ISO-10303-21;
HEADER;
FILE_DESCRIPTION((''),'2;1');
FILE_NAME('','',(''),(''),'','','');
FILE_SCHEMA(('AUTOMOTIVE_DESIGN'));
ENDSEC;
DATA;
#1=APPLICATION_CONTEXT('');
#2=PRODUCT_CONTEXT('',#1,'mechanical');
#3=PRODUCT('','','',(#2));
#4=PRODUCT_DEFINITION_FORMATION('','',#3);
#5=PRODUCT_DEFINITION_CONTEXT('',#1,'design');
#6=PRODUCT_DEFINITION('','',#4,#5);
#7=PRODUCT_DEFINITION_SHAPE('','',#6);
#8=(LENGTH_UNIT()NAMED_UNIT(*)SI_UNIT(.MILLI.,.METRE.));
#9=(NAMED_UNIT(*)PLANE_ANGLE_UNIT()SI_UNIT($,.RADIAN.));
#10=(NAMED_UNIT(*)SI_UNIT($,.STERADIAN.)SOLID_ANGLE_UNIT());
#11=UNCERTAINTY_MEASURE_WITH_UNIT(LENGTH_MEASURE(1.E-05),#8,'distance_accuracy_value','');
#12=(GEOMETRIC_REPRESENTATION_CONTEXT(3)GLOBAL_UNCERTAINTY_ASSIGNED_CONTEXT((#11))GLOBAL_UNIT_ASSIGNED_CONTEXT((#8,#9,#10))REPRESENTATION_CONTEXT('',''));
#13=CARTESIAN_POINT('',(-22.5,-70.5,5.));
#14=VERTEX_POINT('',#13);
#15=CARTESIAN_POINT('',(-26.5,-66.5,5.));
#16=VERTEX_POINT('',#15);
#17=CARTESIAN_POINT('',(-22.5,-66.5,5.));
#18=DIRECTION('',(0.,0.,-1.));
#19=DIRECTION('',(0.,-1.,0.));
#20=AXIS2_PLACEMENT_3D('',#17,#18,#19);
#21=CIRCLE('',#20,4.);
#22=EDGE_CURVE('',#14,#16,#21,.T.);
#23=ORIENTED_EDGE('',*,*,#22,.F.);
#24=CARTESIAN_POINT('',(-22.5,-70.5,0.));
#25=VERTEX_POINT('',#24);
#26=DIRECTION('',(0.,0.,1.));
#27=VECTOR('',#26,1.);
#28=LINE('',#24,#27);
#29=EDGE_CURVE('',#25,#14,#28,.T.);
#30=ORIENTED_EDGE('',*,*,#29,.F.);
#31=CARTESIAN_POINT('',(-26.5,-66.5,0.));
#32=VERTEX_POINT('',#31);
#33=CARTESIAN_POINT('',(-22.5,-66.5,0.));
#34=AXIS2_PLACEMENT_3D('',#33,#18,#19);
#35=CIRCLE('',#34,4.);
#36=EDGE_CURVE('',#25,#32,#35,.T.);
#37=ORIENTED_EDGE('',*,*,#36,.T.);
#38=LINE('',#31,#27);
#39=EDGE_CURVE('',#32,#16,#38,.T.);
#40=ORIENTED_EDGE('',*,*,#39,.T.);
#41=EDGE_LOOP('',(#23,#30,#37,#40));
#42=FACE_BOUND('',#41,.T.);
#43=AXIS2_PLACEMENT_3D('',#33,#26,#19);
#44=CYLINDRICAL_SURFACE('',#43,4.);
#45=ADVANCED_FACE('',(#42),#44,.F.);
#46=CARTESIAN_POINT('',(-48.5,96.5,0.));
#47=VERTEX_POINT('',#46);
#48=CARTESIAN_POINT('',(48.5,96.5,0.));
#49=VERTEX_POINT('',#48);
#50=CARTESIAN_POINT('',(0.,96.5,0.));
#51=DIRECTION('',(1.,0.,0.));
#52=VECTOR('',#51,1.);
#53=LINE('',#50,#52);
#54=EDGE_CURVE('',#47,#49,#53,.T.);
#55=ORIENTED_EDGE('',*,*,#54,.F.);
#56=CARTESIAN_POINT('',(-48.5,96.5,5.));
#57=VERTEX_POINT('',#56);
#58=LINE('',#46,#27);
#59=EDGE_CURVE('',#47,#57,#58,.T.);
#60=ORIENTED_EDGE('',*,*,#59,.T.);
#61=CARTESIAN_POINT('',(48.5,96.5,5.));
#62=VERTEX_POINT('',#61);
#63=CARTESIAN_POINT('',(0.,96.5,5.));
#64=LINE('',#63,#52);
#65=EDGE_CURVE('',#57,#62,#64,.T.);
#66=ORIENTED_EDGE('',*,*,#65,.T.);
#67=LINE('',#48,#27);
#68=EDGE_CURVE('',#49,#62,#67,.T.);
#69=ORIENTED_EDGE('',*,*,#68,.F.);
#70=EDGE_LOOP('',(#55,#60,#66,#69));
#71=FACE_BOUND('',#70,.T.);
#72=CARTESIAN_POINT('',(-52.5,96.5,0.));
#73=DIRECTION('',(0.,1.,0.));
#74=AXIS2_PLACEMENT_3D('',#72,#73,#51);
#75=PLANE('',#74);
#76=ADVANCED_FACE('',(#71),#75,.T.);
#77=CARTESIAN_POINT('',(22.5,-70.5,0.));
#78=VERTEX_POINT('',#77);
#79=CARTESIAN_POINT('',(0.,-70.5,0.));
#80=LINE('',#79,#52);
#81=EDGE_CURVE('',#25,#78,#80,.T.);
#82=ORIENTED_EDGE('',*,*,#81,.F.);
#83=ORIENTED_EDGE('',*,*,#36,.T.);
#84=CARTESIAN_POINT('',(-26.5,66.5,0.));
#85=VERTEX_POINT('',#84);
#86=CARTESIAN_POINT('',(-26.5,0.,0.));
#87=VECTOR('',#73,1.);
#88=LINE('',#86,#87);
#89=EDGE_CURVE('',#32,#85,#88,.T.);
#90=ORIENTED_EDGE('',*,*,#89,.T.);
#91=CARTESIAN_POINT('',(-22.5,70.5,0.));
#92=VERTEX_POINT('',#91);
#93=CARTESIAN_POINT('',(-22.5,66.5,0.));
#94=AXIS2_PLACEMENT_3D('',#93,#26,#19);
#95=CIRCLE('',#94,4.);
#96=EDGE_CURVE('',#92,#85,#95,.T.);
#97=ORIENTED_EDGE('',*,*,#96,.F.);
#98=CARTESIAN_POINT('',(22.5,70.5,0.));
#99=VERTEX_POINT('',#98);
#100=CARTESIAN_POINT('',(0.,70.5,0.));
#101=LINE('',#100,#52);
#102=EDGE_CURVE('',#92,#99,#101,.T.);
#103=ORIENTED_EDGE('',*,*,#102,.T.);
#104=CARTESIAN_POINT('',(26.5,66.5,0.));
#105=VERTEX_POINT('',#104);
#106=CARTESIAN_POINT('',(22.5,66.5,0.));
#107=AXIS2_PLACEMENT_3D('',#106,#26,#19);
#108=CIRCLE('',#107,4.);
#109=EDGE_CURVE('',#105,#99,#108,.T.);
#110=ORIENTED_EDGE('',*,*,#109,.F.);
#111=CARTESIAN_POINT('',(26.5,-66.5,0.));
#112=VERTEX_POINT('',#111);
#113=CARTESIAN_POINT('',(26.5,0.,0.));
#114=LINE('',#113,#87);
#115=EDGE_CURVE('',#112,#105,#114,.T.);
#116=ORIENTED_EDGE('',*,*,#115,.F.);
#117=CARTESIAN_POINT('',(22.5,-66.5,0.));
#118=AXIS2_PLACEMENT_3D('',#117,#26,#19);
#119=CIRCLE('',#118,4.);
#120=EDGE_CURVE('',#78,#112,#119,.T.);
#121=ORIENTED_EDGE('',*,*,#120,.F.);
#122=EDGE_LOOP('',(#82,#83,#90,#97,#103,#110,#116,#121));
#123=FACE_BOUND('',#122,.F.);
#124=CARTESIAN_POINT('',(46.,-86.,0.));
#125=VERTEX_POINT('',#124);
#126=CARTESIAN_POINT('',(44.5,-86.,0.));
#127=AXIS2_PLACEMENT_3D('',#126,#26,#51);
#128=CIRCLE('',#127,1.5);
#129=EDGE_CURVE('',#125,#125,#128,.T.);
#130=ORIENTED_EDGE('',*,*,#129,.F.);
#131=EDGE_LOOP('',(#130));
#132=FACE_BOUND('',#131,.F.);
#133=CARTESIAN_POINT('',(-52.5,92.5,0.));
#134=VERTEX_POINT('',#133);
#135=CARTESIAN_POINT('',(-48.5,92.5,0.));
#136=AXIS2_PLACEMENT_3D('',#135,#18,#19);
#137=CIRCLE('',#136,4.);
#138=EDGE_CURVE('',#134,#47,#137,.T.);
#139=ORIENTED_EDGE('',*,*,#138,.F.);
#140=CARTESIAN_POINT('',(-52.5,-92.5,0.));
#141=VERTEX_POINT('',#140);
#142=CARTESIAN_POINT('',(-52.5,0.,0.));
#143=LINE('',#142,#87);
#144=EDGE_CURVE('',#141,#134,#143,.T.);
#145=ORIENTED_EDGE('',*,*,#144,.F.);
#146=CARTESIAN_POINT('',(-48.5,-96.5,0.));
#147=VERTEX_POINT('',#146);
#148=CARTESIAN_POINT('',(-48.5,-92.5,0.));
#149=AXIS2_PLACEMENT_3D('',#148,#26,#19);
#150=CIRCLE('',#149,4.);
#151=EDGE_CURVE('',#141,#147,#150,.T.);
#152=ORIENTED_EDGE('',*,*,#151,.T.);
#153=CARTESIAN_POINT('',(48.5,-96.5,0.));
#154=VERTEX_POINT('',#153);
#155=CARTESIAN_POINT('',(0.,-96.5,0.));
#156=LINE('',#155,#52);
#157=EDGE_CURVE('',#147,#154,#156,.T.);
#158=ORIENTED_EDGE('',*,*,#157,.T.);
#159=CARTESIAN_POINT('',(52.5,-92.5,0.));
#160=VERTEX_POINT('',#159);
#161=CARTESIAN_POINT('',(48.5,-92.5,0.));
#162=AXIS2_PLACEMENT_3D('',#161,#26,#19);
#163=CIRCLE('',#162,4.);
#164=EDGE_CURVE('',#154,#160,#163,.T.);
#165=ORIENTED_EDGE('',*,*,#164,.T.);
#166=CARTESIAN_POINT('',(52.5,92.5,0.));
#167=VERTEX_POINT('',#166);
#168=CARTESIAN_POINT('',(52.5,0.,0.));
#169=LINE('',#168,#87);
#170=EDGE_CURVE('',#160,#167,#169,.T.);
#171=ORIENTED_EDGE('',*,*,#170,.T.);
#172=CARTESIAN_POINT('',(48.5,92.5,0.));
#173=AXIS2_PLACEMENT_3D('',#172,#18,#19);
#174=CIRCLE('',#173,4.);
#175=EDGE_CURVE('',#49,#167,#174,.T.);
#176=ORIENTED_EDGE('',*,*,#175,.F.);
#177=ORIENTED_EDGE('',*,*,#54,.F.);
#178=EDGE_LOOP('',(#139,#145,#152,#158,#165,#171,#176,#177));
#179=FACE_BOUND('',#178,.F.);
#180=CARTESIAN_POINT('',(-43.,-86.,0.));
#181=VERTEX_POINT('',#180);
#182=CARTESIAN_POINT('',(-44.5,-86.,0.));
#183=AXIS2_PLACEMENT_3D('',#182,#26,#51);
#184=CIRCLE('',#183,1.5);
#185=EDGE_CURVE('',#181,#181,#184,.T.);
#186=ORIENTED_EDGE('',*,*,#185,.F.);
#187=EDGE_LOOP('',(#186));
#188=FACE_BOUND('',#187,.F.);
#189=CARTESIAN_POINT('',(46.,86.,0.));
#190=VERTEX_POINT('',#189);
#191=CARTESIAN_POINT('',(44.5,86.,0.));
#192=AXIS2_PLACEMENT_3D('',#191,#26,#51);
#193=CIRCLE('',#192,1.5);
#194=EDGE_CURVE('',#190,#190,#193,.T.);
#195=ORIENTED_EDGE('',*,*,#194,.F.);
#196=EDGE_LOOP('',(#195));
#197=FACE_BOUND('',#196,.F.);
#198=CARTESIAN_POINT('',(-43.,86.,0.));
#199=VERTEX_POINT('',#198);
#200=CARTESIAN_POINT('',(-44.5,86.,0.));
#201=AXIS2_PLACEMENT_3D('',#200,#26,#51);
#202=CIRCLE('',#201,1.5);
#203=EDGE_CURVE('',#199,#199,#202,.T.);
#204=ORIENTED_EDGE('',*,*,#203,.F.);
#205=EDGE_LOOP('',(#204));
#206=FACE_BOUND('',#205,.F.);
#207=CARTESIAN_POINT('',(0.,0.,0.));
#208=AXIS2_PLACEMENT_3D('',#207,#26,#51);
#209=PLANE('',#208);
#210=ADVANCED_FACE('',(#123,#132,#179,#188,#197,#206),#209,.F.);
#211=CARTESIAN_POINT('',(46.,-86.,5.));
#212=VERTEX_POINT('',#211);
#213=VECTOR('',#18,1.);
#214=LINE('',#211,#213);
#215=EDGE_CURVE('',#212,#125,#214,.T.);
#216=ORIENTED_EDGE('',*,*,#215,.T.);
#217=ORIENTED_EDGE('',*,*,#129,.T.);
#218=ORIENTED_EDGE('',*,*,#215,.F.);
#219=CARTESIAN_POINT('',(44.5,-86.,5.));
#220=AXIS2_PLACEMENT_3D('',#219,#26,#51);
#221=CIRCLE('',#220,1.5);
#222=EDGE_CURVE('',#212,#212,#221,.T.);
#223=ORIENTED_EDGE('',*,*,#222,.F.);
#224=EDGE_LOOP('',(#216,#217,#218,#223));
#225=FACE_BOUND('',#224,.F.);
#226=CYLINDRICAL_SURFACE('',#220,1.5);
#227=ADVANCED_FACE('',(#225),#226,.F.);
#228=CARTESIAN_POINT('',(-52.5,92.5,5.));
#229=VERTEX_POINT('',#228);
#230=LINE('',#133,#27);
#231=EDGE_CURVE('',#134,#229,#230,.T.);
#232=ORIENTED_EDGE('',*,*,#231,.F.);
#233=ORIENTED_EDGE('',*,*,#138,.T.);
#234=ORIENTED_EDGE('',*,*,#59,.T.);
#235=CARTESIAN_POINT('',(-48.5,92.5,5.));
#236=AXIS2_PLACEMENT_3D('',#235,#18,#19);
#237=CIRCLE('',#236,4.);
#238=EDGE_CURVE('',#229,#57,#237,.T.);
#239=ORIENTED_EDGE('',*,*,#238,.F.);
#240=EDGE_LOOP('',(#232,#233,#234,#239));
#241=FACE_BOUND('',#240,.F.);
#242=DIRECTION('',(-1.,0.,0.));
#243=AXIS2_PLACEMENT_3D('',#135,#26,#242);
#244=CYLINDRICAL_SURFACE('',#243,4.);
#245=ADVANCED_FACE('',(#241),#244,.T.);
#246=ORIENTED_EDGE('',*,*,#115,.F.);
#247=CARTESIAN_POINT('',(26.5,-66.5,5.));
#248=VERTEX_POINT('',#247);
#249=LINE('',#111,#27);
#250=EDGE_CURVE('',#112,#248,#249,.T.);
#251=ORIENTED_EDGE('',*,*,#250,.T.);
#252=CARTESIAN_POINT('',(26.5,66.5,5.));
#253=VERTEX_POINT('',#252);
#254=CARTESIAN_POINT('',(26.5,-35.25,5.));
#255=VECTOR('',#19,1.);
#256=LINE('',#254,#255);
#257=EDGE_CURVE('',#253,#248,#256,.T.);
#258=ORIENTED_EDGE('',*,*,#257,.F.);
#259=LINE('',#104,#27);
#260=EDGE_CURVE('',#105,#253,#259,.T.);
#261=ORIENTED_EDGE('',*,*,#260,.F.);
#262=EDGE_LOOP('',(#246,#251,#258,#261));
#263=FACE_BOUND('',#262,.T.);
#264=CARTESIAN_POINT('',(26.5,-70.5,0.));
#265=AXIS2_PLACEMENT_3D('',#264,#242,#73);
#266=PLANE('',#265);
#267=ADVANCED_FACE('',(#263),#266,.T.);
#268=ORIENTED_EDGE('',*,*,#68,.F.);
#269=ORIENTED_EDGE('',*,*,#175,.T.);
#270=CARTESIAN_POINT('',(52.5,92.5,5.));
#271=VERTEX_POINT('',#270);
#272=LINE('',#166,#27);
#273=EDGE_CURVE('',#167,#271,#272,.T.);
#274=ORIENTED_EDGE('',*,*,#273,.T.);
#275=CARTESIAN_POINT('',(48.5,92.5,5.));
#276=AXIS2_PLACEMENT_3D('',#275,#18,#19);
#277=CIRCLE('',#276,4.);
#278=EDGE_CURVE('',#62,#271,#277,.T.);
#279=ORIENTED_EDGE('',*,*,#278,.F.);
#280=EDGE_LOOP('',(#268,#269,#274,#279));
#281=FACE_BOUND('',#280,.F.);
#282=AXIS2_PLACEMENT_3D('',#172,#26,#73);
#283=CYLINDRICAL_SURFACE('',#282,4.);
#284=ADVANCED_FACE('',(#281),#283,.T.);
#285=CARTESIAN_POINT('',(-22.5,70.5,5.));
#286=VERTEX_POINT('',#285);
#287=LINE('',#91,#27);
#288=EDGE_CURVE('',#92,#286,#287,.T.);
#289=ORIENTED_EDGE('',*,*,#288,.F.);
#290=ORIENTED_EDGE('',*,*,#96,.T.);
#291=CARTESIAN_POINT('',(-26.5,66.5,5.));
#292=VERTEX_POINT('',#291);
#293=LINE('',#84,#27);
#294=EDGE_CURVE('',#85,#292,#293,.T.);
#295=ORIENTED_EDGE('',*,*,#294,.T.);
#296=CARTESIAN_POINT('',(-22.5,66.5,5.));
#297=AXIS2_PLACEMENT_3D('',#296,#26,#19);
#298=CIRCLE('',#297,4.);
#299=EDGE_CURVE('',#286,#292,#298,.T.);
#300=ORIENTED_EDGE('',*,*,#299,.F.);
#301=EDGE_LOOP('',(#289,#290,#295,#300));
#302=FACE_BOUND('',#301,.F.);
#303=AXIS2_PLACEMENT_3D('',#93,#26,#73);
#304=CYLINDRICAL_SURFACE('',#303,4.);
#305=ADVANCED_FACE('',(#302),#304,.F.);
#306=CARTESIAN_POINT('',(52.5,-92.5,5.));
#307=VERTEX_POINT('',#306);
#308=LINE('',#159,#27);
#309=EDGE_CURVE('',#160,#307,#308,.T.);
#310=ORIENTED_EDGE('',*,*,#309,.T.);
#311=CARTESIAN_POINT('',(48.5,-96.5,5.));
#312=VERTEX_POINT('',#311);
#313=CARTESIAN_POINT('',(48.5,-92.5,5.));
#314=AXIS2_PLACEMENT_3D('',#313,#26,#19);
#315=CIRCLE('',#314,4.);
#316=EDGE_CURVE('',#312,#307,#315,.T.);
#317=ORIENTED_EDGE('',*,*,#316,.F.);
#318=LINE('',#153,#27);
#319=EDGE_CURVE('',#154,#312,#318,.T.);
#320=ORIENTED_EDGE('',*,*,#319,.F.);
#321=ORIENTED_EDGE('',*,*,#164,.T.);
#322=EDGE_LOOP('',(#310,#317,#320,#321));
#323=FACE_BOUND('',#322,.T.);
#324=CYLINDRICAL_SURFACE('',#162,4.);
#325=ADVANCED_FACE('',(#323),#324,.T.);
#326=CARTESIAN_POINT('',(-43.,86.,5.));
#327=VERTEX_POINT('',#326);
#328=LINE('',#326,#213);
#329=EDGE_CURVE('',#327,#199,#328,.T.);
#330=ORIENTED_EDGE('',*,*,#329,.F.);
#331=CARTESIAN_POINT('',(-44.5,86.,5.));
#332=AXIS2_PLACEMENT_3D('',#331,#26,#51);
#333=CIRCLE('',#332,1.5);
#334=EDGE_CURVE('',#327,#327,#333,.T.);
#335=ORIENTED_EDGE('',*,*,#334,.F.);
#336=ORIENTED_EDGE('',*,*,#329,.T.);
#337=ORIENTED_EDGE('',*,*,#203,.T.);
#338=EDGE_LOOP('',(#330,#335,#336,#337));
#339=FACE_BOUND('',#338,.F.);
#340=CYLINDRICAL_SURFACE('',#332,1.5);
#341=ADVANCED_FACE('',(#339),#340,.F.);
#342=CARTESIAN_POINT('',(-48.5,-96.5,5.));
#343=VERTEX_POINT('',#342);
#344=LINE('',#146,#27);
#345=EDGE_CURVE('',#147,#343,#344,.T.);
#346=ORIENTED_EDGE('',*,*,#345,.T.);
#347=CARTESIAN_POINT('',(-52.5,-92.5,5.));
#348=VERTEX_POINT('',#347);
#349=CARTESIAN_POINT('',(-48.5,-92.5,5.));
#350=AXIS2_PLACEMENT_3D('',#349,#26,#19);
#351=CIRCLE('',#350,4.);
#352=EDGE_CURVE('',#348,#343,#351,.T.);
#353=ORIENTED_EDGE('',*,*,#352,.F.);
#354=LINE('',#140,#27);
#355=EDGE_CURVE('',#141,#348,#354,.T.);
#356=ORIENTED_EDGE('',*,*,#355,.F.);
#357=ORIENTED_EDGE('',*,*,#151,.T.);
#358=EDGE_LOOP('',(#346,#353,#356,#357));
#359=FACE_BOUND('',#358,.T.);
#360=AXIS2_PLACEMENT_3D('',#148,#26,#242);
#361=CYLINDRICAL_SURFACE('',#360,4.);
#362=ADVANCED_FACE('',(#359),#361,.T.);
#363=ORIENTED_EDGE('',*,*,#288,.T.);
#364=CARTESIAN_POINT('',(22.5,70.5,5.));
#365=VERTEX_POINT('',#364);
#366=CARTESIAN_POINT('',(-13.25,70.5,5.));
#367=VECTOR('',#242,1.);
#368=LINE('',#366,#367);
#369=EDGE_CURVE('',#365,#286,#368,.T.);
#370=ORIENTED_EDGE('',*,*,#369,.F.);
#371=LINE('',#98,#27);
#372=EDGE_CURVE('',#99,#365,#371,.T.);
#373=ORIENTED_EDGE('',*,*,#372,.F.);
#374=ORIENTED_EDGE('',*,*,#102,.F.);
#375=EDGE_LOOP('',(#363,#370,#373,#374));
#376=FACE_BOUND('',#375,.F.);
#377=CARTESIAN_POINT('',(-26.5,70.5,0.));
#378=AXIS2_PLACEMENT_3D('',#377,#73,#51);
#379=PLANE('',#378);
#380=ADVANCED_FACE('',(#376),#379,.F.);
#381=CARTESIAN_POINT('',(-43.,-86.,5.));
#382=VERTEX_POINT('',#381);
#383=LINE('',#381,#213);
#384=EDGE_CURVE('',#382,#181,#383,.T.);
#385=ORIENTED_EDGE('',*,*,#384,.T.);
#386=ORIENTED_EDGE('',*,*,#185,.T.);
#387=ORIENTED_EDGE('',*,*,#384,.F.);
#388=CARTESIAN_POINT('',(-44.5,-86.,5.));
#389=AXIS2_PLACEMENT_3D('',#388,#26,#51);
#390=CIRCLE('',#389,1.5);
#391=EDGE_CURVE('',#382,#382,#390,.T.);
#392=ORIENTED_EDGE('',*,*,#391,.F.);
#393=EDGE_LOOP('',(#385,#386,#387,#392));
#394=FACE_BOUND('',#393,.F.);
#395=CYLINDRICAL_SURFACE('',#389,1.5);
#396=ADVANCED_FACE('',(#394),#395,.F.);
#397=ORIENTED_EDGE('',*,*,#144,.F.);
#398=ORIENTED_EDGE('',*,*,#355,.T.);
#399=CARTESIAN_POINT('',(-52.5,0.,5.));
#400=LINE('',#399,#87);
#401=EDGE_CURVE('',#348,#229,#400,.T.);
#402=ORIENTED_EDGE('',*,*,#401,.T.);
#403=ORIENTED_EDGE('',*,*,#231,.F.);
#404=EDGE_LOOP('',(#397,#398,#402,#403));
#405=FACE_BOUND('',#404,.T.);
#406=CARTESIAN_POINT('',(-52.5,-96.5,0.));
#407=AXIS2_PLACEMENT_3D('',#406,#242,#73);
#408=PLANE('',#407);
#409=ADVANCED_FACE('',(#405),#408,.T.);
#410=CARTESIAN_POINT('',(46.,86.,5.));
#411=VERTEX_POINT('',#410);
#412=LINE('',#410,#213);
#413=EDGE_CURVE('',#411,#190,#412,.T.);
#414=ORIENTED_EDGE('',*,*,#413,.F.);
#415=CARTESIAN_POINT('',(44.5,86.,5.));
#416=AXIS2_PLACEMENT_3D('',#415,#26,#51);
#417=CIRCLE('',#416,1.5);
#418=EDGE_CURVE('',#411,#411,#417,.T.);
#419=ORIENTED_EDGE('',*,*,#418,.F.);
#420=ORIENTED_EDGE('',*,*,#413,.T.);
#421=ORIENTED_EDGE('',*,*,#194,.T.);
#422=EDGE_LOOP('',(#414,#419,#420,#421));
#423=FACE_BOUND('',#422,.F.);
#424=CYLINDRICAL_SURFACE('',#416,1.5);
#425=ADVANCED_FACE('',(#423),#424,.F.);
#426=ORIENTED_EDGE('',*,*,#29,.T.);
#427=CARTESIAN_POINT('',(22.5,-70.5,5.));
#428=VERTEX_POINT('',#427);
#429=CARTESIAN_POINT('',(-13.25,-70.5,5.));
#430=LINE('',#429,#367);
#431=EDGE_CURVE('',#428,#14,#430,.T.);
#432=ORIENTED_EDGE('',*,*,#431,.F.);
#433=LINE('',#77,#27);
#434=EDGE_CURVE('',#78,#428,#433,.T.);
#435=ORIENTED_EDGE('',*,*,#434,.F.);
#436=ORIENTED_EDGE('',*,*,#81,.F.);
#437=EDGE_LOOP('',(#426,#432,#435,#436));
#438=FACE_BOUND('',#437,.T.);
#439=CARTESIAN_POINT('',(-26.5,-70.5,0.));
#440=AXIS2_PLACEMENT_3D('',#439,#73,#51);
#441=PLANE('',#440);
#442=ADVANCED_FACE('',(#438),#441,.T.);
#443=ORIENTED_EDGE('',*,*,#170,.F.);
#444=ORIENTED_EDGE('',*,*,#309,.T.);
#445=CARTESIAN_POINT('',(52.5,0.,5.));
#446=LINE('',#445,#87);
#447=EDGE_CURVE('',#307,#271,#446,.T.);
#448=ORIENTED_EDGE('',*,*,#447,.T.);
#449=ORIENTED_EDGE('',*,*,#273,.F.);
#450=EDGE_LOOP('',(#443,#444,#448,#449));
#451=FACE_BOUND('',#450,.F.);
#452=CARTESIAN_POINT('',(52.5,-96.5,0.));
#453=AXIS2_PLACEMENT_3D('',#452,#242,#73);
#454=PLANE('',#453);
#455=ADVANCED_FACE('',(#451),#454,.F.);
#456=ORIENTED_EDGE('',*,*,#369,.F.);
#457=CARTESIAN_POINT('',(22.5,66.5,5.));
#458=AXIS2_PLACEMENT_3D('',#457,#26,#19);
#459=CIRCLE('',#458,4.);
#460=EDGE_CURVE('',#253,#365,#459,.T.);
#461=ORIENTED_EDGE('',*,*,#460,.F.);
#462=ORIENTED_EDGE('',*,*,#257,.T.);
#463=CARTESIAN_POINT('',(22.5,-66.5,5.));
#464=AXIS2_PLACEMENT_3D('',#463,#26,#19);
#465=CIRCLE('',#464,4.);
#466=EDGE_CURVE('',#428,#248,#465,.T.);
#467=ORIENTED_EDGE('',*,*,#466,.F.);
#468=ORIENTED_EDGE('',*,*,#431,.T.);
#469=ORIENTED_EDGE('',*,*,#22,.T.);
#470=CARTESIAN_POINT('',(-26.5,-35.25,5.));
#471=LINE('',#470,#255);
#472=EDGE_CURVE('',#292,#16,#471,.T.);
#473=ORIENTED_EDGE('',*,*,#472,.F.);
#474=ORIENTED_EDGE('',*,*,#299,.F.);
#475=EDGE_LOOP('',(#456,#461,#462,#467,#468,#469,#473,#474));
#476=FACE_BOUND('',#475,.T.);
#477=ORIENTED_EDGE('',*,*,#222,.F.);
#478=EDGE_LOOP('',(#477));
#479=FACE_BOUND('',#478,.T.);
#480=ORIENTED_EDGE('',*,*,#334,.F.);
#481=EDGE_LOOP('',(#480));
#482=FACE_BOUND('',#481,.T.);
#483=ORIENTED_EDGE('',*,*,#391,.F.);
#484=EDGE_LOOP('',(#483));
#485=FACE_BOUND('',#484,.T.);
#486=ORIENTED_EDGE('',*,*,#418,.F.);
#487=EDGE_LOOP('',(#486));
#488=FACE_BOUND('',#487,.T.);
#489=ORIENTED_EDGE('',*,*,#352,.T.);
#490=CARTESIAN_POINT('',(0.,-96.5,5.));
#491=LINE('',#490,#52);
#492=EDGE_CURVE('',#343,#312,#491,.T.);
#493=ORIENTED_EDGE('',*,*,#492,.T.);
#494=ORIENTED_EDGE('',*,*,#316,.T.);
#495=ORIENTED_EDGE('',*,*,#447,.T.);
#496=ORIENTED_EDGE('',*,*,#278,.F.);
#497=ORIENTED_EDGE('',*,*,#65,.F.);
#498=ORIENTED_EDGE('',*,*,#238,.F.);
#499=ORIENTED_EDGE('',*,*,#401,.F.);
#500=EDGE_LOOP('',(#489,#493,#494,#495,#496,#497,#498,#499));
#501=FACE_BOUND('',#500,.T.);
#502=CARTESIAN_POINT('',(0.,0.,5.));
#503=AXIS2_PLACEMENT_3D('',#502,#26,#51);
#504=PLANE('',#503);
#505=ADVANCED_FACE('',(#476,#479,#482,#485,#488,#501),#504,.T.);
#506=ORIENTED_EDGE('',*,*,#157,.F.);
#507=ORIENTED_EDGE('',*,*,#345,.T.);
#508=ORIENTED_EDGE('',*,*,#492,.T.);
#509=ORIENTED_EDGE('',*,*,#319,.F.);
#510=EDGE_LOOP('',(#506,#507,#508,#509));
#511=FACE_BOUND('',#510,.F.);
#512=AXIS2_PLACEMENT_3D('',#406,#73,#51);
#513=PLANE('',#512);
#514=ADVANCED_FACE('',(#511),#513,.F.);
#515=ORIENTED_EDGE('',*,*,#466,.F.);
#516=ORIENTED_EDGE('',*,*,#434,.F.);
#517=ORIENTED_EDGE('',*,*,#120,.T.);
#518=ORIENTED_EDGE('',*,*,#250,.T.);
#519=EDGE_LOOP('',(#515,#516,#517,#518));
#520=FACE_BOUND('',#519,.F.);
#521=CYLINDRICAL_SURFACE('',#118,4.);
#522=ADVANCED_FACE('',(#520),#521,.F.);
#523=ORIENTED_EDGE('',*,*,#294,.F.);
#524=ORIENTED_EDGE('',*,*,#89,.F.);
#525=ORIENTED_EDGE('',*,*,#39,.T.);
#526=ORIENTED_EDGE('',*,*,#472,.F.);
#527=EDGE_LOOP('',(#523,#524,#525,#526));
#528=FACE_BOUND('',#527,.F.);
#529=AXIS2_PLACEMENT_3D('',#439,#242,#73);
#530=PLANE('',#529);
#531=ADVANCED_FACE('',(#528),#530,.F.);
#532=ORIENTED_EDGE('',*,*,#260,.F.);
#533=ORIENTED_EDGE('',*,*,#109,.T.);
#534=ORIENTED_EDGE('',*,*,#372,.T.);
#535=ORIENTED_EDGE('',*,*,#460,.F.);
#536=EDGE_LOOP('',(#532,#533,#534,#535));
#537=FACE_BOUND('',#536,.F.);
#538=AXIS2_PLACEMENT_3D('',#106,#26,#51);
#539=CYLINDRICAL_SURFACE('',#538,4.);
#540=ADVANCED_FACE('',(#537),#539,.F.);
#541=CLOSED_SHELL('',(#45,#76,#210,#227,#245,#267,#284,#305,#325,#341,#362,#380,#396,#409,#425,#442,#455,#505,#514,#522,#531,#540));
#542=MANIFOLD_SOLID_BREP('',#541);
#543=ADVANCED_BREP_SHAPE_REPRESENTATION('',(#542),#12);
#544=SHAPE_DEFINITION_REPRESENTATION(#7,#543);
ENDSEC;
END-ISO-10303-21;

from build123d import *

# Parameters (mm, degrees)
SKETCH_W        = 105
SKETCH_H        = 193
PAD_DEPTH       = 5
SKETCH001_R     = 1.5
POCKET_DEPTH    = 5.001
SKETCH003_W     = 53
SKETCH003_H     = 141
POCKET002_DEPTH = 5.001
FILLET_R        = 4


with BuildPart() as part:
    # Sketch → Pad (new body)
    with BuildSketch(Plane.XY):
        Rectangle(SKETCH_W, SKETCH_H)
    extrude(amount=PAD_DEPTH)

    # Sketch001 (on Face6 of Pad) → Pocket (cut, through all)
    with BuildSketch(Plane.XY.offset(5)):
        with Locations((-44.5, 86)):
            Circle(SKETCH001_R)
        with Locations((44.5, 86)):
            Circle(SKETCH001_R)
        with Locations((-44.5, -86)):
            Circle(SKETCH001_R)
        with Locations((44.5, -86)):
            Circle(SKETCH001_R)
    extrude(amount=-POCKET_DEPTH, mode=Mode.SUBTRACT)

    # Sketch003 → Pocket002 (cut, through all)
    with BuildSketch(Plane.XY):
        Rectangle(SKETCH003_W, SKETCH003_H)
    extrude(amount=POCKET002_DEPTH, mode=Mode.SUBTRACT)

    # Fillet
    fillet_edges = [part.edges().sort_by_distance(p)[0] for p in [
        (-52.5, 96.5, 2.5),
        (-52.5, -96.5, 2.5),
        (52.5, -96.5, 2.5),
        (52.5, 96.5, 2.5),
        (26.5, 70.5, 2.5),
        (26.5, -70.5, 2.5),
        (-26.5, -70.5, 2.5),
        (-26.5, 70.5, 2.5),
    ]]
    fillet(fillet_edges, radius=FILLET_R)


solid = part.part
